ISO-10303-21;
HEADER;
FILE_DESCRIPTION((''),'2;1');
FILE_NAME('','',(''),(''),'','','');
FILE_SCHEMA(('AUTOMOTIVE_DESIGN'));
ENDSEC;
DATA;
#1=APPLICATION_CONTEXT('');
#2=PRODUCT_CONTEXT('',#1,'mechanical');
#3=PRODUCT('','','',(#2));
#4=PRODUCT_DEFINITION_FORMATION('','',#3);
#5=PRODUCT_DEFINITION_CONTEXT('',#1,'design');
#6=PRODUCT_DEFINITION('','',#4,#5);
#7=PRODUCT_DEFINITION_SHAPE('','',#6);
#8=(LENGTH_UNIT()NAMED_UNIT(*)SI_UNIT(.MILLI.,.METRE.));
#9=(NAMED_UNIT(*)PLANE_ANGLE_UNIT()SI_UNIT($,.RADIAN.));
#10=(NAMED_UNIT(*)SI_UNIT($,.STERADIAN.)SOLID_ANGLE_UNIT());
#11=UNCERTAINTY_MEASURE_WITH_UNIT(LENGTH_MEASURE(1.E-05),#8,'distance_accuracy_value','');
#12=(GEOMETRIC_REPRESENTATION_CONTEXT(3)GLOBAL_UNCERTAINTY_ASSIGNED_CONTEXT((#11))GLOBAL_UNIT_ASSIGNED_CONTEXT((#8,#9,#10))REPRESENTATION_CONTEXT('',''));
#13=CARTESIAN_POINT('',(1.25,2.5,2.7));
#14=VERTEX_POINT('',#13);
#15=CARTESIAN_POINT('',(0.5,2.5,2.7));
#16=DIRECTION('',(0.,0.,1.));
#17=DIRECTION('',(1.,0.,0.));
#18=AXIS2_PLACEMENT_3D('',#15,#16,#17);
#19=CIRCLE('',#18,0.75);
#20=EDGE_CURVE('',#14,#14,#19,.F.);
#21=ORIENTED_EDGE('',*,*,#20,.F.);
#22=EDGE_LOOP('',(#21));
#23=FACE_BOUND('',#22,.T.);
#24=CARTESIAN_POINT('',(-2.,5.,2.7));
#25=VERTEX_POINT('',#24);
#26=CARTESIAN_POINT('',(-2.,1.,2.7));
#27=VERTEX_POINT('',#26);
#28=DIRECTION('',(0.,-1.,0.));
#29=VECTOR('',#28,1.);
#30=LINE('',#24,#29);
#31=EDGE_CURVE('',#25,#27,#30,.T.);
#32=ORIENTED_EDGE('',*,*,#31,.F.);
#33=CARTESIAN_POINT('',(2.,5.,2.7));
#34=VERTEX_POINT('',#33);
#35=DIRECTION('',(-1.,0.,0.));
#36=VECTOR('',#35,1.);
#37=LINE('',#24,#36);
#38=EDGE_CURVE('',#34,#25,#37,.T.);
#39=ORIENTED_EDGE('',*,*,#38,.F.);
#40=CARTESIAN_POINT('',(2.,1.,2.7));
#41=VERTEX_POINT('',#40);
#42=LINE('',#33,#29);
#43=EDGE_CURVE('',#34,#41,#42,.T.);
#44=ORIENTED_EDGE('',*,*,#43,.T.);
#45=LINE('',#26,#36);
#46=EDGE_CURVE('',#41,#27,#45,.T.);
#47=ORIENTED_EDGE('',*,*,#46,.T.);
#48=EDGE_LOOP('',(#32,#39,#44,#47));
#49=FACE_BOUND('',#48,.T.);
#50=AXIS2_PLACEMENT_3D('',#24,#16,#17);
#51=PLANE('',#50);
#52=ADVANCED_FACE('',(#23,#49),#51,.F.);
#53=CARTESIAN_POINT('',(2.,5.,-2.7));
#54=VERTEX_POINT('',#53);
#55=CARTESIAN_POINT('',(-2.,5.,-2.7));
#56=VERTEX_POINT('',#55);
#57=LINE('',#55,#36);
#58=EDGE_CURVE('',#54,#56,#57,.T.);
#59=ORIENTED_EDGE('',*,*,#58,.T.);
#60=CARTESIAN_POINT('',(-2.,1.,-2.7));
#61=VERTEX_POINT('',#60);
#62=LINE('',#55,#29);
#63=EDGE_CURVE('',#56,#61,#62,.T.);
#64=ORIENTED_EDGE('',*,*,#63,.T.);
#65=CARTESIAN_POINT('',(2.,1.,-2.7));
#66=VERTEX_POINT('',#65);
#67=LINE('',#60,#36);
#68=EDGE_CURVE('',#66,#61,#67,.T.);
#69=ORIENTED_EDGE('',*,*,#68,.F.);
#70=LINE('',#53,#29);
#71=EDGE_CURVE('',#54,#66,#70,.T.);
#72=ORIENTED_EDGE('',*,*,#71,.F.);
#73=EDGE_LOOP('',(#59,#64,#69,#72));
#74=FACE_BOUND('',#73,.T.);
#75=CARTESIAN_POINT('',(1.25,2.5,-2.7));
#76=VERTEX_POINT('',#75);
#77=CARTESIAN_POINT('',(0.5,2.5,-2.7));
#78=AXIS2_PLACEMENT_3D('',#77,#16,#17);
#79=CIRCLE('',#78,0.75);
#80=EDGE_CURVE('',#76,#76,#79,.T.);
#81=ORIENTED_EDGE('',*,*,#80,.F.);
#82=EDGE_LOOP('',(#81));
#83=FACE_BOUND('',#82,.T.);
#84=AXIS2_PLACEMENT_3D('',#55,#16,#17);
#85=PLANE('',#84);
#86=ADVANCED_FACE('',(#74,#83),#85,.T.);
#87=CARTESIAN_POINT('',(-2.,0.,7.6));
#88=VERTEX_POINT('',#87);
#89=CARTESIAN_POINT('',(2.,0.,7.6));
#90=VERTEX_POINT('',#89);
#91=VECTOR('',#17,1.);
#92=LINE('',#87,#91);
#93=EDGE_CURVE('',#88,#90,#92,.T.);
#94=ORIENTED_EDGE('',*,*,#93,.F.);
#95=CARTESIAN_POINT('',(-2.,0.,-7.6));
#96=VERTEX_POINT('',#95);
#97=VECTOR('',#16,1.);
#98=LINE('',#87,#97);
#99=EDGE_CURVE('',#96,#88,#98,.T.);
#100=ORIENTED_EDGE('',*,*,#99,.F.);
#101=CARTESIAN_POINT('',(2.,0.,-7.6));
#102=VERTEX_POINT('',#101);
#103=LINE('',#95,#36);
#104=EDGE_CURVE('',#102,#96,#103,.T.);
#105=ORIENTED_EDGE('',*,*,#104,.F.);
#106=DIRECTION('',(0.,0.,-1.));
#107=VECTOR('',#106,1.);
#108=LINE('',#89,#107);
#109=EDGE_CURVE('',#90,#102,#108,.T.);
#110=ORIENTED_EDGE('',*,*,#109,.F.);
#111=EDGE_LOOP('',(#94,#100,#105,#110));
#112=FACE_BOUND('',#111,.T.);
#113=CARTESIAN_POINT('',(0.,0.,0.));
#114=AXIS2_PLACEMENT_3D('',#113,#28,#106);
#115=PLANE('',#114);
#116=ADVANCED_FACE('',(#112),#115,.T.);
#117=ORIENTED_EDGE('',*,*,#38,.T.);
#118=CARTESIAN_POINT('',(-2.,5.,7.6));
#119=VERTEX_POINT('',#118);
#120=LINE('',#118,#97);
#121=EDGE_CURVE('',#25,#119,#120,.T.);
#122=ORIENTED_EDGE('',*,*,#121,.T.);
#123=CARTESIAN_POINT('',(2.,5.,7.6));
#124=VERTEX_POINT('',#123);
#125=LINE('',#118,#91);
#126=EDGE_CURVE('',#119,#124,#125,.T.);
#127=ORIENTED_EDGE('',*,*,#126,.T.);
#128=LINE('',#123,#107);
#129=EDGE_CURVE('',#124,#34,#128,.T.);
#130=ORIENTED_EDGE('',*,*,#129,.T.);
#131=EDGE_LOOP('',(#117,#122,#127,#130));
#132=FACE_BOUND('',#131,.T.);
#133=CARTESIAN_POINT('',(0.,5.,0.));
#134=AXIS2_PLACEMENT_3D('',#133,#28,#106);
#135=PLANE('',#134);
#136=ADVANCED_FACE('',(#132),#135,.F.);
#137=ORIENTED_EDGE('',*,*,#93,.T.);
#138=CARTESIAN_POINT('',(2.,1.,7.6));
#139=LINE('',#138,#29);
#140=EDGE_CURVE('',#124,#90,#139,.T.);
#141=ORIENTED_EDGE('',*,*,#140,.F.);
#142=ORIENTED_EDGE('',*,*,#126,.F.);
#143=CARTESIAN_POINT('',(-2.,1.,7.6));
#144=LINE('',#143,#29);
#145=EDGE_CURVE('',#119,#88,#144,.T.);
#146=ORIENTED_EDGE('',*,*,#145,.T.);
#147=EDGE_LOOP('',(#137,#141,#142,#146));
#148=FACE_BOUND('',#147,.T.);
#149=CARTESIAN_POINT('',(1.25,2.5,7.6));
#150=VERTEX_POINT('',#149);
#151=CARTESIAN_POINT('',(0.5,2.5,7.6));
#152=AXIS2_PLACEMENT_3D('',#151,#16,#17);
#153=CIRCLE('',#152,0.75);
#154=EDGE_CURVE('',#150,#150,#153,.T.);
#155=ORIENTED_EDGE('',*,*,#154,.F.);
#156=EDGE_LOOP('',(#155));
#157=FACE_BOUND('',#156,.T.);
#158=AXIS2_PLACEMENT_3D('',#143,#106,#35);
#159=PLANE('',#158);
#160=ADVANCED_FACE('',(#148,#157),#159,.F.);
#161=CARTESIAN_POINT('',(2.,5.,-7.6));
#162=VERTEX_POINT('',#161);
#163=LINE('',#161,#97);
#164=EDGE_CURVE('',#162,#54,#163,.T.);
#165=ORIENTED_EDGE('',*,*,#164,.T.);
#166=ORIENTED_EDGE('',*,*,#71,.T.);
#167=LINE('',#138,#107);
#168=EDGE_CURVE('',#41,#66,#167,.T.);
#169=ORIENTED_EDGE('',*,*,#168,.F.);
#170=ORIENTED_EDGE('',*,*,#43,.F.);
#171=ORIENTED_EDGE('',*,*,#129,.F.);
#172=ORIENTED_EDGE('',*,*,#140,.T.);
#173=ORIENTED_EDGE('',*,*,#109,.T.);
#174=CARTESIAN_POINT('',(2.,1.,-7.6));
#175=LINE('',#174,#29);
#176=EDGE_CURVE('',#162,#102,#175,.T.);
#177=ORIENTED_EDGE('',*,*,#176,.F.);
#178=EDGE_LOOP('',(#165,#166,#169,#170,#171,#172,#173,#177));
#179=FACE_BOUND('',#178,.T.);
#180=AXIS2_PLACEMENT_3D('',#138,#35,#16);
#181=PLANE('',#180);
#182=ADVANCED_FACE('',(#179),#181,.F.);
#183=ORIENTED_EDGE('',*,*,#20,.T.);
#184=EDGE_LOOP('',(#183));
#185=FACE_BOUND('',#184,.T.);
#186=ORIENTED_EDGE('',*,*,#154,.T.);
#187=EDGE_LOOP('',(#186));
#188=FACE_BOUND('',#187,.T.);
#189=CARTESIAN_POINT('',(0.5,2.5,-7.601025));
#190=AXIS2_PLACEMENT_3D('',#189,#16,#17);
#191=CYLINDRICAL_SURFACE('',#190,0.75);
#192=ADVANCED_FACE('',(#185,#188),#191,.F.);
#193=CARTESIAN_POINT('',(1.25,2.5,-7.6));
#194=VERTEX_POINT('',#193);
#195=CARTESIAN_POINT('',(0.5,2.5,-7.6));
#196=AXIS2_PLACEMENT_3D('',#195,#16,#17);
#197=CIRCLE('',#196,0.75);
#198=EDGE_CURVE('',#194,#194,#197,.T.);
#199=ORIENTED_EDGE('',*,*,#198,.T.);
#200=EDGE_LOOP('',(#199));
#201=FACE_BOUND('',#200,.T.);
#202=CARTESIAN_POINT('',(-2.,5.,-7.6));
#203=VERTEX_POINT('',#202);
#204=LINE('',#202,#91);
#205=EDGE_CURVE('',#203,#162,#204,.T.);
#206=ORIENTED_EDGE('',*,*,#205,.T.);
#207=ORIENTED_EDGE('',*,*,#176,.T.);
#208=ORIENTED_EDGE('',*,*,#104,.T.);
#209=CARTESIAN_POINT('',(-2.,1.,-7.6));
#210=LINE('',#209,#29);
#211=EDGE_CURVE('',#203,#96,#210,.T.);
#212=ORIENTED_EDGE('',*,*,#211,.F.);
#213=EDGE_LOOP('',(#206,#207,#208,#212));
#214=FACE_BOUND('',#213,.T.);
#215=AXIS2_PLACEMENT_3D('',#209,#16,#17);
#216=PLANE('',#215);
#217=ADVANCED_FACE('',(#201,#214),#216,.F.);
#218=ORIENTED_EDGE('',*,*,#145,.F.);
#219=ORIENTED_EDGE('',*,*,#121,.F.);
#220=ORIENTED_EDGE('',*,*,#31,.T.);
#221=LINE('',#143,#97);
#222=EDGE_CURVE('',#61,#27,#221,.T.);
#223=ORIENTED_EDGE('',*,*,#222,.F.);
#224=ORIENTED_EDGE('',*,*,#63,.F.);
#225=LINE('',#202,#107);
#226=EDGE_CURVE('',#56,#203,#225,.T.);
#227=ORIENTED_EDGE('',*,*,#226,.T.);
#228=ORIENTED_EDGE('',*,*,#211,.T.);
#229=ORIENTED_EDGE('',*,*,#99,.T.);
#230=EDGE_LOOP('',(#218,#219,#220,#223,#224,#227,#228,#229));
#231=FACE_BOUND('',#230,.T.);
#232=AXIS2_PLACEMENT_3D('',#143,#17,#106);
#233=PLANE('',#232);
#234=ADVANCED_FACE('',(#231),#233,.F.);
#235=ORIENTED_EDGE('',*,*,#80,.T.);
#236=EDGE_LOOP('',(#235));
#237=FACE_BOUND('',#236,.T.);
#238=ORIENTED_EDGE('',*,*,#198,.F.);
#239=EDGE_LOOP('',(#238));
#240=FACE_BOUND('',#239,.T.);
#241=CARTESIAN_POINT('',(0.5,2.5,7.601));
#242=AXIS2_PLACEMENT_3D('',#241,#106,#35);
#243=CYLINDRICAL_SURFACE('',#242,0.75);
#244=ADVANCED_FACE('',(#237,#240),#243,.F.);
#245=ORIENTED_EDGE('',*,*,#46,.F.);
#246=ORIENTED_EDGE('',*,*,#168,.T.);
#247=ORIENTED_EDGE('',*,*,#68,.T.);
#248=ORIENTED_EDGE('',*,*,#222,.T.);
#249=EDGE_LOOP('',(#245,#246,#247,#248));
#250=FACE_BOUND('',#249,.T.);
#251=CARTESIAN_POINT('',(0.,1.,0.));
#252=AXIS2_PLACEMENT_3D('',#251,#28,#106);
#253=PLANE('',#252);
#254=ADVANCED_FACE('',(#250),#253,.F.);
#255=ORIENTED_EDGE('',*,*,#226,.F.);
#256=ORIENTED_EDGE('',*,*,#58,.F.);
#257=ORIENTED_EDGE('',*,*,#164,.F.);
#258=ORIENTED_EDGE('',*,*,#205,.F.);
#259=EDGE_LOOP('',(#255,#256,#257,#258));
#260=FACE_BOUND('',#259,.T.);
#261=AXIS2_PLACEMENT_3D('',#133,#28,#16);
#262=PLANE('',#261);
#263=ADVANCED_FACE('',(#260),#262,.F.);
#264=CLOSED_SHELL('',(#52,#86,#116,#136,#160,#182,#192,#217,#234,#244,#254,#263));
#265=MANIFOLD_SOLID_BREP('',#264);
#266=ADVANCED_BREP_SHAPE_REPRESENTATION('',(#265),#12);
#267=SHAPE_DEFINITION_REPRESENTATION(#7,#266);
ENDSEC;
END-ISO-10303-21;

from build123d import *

# Parameters (mm, degrees)
SKETCH1_W           = 4
SKETCH1_H           = 15.2
BOSS_EXTRUDE1_DEPTH = 1
SKETCH2_W           = 4
SKETCH2_H           = 4.9
BOSS_EXTRUDE2_DEPTH = 4
CUT_EXTRUDE2_REACH  = 18.126
SKETCH4_R           = 0.75


with BuildPart() as part:
    # Sketch1 → Boss-Extrude1 (new body)
    with BuildSketch(Plane(origin=(0, 0, 0), x_dir=(1, 0, 0), z_dir=(0, 1, 0))):
        Rectangle(SKETCH1_W, SKETCH1_H)
    extrude(amount=BOSS_EXTRUDE1_DEPTH)

    # Sketch2 → Boss-Extrude2 (add)
    with BuildSketch(Plane(origin=(0, 1, 0), x_dir=(1, 0, 0), z_dir=(0, 1, 0))):
        with Locations((0, -5.15)):
            Rectangle(SKETCH2_W, SKETCH2_H)
    boss_extrude2 = extrude(amount=BOSS_EXTRUDE2_DEPTH)

    # Sketch4 → Cut-Extrude2 (cut, up to next)
    with BuildSketch(Plane.XY.offset(7.6), mode=Mode.PRIVATE) as cut_extrude2_sk1:
        with Locations((0.5, 2.5)):
            Circle(SKETCH4_R)
    cut_extrude2_tool1 = extrude(cut_extrude2_sk1.sketch, amount=-CUT_EXTRUDE2_REACH, mode=Mode.PRIVATE) & part.part
    cut_extrude2 = cut_extrude2_tool1.solids().sort_by_distance((0.5, 2.5, 7.6))[0]
    add(cut_extrude2, mode=Mode.SUBTRACT)

    # Mirror3: Boss-Extrude2, Cut-Extrude2 across plane
    add(boss_extrude2.mirror(Plane.XY))
    add(cut_extrude2.mirror(Plane.XY), mode=Mode.SUBTRACT)


solid = part.part
